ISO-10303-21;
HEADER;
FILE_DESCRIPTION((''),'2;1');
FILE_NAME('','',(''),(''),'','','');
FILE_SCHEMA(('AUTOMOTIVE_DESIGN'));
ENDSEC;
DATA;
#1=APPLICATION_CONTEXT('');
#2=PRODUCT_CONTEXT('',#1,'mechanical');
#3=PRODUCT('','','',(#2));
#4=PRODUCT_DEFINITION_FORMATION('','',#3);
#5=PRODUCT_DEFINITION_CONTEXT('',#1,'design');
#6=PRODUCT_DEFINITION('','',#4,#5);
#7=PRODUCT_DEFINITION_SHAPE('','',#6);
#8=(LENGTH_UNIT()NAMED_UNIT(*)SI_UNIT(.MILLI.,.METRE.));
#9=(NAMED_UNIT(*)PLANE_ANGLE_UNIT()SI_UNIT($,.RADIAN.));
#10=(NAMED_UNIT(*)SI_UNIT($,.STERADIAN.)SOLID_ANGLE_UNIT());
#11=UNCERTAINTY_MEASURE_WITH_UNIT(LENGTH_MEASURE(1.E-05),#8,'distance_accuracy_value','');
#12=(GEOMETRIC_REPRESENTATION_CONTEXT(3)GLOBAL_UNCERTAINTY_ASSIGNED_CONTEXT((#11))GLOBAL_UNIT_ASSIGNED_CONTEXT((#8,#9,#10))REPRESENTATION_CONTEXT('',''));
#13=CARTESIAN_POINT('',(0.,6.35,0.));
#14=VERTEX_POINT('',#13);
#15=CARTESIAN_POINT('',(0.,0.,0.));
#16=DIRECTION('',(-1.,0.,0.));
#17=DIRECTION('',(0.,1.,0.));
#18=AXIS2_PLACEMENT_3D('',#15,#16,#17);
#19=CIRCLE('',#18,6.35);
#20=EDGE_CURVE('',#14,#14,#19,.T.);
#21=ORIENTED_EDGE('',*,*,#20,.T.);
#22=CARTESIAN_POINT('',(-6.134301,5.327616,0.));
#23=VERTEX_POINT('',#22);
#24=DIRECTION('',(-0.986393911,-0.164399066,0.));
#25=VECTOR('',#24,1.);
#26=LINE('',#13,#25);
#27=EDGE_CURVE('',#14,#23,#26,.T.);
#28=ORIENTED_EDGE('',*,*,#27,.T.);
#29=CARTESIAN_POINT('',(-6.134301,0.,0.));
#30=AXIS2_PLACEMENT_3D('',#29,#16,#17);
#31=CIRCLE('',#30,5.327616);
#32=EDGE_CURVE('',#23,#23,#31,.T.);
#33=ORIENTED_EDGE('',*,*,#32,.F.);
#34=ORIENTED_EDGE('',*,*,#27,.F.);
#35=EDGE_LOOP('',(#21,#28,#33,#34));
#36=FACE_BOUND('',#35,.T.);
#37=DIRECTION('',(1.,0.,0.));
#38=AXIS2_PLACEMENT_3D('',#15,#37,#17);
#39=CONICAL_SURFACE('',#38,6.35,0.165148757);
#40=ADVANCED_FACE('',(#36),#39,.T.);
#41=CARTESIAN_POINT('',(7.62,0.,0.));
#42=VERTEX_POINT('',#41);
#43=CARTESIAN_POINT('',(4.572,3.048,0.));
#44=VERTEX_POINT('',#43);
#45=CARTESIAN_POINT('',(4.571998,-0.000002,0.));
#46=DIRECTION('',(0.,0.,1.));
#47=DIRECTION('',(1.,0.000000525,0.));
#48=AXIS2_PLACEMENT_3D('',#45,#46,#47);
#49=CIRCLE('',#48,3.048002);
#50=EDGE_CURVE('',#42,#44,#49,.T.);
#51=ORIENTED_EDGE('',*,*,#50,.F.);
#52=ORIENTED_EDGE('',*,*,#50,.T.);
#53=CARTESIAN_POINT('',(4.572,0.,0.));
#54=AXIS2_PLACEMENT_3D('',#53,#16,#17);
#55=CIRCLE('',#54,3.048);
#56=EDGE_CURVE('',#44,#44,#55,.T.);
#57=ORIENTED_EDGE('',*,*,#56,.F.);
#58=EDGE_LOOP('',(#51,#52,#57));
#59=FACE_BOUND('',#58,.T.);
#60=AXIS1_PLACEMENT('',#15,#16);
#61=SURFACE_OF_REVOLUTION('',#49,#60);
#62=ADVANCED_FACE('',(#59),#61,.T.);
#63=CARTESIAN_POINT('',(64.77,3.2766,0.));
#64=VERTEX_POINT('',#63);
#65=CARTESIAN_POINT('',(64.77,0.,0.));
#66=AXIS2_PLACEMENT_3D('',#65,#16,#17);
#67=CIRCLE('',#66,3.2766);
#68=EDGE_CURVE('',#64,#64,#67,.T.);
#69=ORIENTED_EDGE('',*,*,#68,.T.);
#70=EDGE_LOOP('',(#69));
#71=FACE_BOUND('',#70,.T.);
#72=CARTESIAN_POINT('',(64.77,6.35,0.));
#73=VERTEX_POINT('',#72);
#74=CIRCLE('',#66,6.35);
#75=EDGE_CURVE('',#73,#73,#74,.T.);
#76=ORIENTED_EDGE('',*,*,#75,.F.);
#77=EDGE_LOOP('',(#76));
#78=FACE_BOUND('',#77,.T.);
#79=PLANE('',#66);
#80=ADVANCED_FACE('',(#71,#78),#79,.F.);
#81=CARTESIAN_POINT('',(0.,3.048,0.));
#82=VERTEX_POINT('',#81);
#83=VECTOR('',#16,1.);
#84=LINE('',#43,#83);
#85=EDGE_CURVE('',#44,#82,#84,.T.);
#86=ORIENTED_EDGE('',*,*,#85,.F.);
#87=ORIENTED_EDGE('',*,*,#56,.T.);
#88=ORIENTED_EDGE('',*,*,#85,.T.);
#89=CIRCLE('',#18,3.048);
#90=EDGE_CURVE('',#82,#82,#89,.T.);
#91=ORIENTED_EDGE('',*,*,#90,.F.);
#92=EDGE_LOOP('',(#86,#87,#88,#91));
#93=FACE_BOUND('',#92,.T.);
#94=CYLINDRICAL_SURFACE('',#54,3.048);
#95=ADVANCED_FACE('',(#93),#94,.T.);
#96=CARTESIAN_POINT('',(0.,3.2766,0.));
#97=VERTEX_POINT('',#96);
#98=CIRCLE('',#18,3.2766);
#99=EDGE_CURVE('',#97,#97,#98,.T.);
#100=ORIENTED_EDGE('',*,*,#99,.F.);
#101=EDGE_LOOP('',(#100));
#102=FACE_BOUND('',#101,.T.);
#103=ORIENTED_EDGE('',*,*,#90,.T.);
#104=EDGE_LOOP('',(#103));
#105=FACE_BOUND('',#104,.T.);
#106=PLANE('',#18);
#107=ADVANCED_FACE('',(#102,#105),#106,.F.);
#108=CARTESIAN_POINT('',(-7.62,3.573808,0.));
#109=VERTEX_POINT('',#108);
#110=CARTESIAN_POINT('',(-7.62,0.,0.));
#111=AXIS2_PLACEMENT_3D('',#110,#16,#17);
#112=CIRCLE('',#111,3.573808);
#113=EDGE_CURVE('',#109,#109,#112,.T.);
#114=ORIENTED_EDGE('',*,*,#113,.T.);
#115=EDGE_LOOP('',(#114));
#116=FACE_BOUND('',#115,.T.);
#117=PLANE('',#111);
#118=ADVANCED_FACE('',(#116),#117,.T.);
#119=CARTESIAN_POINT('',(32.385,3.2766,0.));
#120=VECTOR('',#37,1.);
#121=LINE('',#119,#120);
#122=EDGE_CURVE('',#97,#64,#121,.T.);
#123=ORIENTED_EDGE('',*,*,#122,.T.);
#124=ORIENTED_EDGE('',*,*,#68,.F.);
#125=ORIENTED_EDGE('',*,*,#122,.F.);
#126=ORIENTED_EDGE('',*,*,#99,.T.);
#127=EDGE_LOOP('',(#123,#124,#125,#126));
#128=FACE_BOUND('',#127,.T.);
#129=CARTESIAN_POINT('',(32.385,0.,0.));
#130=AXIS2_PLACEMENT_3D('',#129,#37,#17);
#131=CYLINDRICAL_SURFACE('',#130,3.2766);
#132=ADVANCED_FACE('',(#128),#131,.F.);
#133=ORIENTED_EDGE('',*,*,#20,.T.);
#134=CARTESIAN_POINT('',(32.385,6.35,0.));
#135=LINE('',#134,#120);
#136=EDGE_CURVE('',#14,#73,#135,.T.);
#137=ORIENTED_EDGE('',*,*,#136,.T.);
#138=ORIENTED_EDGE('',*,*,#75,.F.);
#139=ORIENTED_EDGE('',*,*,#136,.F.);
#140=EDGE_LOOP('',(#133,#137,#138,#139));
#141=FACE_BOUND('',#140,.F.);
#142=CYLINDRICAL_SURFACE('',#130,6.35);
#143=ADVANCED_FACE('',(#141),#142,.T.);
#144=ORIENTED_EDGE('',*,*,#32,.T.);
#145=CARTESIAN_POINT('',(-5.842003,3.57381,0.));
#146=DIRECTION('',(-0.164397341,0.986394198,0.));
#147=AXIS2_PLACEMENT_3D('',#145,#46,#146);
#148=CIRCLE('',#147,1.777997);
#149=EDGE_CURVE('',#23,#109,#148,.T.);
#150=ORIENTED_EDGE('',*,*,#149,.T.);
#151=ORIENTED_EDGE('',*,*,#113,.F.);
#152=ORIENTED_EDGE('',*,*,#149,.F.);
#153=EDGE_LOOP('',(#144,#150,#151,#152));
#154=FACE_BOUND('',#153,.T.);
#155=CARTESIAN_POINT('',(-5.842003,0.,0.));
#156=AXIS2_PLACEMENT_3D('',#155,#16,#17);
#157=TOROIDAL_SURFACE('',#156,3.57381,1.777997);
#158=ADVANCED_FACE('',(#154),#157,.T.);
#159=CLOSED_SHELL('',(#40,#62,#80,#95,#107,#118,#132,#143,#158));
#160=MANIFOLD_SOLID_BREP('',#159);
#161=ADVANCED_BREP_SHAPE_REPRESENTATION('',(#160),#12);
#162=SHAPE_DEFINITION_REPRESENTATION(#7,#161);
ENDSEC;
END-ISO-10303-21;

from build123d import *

# Parameters (mm, degrees)
F0_W = 64.77
F0_H = 3.0734


with BuildPart() as f2:
    # F0 (on Top) → F2 (revolve)
    with BuildSketch(Plane.XY):
        with Locations((32.385, 4.8133)):
            Rectangle(F0_W, F0_H)
    revolve(axis=Axis((0, 0, 0), (-1, 0, 0)))

    # F1 (on Top) → F3 (revolve)
    with BuildSketch(Plane.XY):
        with BuildLine():
            Line((4.572, 3.048), (0, 3.048))
            Line((0, 3.048), (0, 6.35))
            Line((0, 6.35), (-6.134301, 5.327616))
            ThreePointArc((-6.134301, 5.327616), (-7.19865, 4.723063), (-7.62, 3.573808))
            Line((-7.62, 3.573808), (-7.62, 0))
            Line((-7.62, 0), (7.62, 0))
            ThreePointArc((7.62, 0), (6.727261, 2.155261), (4.572, 3.048))
        make_face()
    revolve(axis=Axis((0, 0, 0), (-1, 0, 0)))


solid = f2.part
